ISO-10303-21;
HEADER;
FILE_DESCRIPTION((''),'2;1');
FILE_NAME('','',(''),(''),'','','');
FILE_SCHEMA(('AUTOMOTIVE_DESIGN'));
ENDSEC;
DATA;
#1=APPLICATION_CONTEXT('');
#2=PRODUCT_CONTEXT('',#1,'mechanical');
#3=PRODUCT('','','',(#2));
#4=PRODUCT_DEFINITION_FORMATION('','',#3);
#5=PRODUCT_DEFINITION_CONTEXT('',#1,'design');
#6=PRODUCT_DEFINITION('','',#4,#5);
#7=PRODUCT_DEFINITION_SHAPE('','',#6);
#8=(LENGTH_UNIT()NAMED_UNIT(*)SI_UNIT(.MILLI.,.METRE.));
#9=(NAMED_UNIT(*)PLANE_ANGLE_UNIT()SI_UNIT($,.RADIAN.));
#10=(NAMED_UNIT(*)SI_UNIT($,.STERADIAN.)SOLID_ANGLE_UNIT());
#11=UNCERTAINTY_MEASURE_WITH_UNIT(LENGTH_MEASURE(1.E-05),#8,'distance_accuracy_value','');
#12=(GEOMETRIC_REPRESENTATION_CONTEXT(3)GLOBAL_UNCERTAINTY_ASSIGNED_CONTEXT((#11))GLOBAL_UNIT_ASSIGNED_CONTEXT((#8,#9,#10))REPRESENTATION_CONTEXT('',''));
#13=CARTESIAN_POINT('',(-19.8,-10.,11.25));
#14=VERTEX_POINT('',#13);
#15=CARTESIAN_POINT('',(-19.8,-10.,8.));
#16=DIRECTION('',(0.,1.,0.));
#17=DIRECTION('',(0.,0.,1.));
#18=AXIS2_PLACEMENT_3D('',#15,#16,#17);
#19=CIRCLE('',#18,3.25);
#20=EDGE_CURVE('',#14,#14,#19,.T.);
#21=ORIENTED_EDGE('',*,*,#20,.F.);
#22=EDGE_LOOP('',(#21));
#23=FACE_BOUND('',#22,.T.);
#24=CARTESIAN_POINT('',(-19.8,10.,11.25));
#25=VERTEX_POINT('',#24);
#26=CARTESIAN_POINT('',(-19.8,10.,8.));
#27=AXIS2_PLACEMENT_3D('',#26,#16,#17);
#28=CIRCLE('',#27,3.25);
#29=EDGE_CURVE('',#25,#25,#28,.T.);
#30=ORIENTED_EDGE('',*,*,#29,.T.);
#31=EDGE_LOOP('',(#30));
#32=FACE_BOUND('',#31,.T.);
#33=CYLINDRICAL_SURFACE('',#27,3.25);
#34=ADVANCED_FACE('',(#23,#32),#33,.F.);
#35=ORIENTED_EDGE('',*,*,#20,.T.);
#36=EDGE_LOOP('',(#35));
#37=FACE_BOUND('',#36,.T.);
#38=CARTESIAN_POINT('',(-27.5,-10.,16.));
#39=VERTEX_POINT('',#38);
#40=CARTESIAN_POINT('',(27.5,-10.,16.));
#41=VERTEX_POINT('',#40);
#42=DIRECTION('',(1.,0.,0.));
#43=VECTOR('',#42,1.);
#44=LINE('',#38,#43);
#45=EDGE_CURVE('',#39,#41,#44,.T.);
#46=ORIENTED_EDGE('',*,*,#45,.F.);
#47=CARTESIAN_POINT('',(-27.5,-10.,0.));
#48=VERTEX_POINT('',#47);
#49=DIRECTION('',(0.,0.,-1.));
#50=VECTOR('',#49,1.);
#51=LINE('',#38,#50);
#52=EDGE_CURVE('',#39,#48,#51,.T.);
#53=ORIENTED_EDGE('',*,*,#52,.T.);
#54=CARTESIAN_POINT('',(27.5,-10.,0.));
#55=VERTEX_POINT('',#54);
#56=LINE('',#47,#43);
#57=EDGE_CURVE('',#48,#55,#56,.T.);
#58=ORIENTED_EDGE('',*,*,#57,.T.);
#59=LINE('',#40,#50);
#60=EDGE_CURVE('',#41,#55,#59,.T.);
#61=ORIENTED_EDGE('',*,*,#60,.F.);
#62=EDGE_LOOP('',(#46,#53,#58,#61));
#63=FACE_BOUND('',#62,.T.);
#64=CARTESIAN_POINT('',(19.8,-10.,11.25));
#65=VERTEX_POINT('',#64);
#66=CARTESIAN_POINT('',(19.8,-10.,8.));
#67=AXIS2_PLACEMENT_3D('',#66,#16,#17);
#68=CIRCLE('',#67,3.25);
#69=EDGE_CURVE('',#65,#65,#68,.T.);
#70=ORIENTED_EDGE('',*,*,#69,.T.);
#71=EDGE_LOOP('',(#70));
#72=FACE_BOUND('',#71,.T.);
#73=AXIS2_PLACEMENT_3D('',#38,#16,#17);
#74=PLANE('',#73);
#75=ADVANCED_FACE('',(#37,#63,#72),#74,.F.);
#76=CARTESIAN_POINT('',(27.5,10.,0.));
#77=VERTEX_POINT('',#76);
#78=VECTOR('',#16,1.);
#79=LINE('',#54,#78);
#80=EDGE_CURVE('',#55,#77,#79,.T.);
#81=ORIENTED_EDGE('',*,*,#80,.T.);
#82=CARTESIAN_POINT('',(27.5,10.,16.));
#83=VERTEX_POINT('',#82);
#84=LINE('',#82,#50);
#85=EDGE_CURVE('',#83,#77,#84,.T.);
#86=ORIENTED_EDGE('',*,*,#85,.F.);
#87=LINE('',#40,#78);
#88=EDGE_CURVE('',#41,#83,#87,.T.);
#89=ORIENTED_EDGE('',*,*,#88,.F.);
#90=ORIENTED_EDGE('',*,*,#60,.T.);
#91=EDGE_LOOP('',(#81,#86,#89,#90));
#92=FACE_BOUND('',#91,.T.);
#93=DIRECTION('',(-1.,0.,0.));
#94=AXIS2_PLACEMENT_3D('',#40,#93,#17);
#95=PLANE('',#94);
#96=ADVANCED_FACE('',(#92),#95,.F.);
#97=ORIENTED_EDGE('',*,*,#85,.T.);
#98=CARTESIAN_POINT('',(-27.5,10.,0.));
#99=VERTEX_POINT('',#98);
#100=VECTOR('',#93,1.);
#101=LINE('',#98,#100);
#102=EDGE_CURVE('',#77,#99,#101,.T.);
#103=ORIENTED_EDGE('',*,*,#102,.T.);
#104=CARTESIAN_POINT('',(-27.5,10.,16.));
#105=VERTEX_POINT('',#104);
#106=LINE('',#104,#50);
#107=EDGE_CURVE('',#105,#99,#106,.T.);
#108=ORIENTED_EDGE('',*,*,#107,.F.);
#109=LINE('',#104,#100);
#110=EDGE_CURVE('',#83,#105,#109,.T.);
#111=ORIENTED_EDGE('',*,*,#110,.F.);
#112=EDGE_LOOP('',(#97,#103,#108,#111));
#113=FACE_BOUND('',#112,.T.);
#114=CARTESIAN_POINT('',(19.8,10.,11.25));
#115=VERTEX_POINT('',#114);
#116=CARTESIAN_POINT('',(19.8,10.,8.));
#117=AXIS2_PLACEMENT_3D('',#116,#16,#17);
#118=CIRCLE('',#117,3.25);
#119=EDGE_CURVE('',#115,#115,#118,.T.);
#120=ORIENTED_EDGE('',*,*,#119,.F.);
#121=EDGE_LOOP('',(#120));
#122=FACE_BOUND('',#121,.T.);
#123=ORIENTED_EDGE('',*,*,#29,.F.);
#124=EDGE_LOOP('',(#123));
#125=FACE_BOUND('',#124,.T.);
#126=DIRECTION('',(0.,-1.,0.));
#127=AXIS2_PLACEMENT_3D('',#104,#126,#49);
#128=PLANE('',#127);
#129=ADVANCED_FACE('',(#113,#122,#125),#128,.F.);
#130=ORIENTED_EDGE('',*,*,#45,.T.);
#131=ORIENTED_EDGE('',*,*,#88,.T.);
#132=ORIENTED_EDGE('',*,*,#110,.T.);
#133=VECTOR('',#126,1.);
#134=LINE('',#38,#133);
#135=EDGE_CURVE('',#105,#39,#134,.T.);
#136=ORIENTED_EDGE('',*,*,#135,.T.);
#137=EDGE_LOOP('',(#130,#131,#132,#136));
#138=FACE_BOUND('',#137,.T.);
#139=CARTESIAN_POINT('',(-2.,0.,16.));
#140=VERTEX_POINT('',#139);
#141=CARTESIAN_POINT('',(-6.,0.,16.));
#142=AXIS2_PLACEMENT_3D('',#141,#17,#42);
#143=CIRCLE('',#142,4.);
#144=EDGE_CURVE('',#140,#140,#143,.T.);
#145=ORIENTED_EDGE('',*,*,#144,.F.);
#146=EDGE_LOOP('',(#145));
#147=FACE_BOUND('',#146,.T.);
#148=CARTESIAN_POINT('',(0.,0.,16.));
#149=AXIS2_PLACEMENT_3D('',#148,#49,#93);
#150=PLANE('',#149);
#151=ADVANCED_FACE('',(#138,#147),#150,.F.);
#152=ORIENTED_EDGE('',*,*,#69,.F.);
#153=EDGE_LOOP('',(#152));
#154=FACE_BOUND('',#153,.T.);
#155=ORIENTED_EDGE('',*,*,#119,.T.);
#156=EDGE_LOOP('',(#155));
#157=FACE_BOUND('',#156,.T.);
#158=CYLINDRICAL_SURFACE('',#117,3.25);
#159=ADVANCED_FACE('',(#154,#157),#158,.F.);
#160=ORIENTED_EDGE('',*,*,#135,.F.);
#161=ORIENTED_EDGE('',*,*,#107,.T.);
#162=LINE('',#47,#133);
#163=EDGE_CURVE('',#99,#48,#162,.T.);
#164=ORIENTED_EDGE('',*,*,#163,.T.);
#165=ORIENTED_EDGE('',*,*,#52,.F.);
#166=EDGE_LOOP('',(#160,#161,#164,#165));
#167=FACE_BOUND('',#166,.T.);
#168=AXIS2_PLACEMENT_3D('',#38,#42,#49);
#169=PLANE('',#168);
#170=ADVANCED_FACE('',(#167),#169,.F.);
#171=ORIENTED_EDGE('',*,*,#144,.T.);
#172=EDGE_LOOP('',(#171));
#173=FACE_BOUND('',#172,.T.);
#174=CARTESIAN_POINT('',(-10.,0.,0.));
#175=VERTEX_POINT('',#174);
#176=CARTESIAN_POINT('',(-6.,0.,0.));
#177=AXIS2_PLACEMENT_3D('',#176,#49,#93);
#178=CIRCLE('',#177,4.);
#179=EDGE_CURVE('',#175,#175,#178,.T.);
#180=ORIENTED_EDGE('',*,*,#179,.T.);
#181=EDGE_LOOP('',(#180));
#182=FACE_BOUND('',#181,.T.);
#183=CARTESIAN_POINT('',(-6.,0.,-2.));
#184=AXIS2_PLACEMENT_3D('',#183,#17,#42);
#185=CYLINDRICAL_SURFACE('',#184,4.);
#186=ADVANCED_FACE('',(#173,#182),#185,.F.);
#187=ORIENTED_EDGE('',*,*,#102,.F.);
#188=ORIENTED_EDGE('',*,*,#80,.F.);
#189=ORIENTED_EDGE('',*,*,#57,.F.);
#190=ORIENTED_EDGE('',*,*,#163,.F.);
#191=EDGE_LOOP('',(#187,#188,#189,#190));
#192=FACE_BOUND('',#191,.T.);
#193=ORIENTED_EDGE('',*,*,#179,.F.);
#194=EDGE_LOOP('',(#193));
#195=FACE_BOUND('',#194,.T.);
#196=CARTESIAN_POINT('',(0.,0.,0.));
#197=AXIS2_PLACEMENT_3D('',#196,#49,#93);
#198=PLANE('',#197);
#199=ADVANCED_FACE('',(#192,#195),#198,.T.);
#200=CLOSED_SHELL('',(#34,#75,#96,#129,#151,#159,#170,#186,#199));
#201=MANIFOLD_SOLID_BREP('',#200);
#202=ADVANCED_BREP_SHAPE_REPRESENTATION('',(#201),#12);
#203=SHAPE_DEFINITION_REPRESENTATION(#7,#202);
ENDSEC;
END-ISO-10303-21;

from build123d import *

# Parameters (mm, degrees)
SKETCH_1_W              = 55
SKETCH_1_H              = 20
EXTRUDE_1_DEPTH         = 16
SKETCH_2_R              = 4
CUT_EXTRUDE_1_DEPTH     = 18
HOLE_WIZARD_6_5_6_5_1_D = 6.5


with BuildPart() as part:
    # Эскиз1 → Бобышка-Вытянуть1 (new body)
    with BuildSketch(Plane.XY):
        Rectangle(SKETCH_1_W, SKETCH_1_H)
    extrude(amount=EXTRUDE_1_DEPTH)

    # Эскиз2 → Вырез-Вытянуть1 (cut)
    with BuildSketch(Plane.XY.offset(16)):
        with Locations((-6, 0)):
            Circle(SKETCH_2_R)
    extrude(amount=-CUT_EXTRUDE_1_DEPTH, mode=Mode.SUBTRACT)

    # Диаметр отверстия Ø6.5 (6.5)1 (through all)
    with Locations(Plane(origin=(0, 10, 0), x_dir=(1, 0, 0), z_dir=(0, 1, 0))):
        with Locations((19.8, -8), (-19.8, -8)):
            Hole(HOLE_WIZARD_6_5_6_5_1_D / 2)


solid = part.part
